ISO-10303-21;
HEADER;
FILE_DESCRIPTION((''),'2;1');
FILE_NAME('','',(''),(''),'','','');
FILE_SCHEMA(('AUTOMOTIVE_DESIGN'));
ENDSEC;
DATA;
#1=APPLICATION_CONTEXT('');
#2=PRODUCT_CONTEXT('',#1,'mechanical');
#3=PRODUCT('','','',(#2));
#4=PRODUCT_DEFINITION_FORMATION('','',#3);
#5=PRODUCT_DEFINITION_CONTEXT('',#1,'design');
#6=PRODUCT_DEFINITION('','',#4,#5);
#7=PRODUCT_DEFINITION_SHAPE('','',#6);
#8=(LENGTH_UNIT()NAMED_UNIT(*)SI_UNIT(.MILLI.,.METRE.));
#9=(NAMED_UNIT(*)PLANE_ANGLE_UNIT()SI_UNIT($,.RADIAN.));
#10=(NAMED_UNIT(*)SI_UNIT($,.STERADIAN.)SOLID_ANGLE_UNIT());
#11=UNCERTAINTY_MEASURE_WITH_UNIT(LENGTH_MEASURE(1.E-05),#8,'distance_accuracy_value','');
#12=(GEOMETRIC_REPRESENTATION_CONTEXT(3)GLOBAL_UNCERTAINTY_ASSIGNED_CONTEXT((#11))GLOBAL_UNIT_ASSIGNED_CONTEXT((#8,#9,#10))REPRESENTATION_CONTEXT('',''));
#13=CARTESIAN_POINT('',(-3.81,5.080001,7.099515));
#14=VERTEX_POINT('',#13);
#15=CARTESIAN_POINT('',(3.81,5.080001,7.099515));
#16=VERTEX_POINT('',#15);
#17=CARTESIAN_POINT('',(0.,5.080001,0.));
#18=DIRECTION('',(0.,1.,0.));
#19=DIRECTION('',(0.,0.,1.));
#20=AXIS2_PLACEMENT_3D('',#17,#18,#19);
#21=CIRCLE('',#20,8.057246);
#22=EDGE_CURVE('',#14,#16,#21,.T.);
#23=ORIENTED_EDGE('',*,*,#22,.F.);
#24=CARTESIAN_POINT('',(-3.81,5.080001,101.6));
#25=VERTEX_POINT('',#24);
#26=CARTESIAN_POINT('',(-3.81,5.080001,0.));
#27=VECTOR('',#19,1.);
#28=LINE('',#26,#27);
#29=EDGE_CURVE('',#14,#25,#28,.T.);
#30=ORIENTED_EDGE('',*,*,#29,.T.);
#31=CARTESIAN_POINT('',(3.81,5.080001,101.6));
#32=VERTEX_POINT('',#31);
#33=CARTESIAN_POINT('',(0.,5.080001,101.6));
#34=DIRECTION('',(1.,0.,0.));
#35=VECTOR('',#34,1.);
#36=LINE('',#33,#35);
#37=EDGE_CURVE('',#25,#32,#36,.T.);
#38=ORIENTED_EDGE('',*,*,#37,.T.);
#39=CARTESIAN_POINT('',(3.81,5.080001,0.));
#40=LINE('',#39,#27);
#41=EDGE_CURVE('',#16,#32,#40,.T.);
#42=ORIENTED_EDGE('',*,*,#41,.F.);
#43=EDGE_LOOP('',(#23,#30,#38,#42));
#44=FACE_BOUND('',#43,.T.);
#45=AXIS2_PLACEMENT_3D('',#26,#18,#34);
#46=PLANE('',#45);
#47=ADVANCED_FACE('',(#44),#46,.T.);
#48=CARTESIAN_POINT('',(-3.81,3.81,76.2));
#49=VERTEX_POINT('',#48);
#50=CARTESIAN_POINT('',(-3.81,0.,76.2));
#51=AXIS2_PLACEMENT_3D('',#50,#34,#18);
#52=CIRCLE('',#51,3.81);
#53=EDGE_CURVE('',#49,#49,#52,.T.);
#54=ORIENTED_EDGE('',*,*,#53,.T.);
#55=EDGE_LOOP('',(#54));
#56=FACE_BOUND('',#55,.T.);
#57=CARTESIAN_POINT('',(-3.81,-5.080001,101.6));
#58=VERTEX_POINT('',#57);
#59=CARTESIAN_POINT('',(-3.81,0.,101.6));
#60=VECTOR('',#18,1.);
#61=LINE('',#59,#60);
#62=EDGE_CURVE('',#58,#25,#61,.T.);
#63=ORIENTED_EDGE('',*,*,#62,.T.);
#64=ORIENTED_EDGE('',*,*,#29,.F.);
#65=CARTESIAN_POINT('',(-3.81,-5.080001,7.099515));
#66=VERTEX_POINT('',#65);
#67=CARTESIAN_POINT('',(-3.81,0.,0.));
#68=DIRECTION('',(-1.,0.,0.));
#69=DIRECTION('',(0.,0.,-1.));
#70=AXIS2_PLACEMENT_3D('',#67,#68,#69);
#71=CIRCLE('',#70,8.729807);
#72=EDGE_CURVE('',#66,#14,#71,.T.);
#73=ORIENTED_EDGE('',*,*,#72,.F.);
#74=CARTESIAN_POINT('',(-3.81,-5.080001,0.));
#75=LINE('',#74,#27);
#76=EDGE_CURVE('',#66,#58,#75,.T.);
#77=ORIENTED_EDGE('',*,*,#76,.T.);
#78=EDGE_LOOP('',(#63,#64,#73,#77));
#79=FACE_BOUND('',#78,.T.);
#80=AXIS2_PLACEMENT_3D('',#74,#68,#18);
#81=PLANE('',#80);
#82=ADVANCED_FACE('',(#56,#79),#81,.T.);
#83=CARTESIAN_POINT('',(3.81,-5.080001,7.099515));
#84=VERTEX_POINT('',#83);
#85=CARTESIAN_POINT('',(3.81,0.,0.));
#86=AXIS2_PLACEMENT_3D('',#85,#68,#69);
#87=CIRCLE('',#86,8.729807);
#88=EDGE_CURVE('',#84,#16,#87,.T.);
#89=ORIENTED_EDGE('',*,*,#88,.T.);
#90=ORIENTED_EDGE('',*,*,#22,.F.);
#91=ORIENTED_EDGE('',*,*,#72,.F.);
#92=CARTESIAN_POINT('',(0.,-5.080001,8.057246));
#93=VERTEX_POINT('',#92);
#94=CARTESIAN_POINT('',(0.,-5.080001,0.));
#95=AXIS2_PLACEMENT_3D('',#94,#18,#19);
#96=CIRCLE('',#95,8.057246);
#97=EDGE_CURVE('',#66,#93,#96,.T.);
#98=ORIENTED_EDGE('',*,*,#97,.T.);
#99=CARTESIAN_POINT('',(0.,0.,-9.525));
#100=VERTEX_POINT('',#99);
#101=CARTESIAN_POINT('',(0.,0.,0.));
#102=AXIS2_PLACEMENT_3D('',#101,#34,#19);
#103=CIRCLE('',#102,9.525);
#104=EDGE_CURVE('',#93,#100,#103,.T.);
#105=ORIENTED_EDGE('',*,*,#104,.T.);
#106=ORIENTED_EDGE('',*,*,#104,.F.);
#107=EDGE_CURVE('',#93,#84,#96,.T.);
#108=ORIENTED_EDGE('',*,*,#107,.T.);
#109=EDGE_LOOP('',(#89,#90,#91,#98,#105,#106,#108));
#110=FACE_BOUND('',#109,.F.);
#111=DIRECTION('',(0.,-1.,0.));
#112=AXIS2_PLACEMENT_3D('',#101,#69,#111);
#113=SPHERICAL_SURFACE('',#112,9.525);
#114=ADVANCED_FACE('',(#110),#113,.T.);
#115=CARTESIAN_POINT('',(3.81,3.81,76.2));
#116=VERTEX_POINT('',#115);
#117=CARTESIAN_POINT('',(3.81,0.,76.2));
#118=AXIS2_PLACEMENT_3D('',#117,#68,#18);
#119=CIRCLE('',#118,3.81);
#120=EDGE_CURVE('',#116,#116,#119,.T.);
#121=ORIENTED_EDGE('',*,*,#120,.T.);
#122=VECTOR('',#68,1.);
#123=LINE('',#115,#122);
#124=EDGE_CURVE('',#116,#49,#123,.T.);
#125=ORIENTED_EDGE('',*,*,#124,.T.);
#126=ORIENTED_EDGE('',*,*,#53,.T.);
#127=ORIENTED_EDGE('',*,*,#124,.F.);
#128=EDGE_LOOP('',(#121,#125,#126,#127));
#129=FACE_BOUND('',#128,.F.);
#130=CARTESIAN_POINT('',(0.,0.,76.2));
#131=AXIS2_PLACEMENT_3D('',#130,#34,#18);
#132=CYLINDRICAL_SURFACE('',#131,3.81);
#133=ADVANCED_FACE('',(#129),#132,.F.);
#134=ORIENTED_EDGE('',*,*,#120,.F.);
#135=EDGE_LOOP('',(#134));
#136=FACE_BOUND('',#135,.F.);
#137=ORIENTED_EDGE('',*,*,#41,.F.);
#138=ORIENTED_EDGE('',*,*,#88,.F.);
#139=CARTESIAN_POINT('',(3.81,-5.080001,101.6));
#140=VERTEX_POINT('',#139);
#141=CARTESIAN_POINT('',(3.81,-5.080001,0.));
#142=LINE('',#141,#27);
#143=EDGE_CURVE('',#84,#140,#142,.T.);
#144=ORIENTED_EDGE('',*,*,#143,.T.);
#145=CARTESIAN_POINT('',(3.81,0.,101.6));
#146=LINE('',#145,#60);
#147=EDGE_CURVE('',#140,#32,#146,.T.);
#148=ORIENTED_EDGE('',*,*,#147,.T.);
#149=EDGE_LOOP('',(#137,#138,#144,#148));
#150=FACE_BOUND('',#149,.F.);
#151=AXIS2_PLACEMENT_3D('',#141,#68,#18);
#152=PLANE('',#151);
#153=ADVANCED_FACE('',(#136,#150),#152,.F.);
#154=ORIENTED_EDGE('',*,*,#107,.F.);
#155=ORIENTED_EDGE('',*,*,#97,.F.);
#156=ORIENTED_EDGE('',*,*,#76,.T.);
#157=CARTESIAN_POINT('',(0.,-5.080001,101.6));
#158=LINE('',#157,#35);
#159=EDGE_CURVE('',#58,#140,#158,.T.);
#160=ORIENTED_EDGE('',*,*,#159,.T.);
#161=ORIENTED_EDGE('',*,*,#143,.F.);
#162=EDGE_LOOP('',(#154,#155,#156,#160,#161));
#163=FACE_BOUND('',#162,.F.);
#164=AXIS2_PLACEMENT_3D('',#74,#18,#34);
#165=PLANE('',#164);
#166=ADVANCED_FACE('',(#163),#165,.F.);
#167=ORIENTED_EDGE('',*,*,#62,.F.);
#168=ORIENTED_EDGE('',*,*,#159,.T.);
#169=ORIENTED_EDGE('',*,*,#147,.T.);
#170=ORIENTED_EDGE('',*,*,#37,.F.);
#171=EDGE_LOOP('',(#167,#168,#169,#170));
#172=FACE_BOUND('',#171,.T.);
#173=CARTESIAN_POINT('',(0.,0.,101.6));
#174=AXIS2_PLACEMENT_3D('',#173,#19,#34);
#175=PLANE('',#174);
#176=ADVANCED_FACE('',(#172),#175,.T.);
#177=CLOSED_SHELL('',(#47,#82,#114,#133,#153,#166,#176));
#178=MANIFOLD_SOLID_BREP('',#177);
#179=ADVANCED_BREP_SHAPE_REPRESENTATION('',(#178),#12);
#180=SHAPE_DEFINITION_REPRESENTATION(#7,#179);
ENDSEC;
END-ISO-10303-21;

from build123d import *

# Parameters (mm, degrees)
F2_W          = 7.62
F2_H          = 10.1600026736
F3_DEPTH      = 101.6
F4_R          = 3.81
F5_DEPTH      = 9.526
F5_DEPTH_BACK = 9.526


with BuildPart() as f1:
    # F0 (on Right) → F1 (revolve)
    with BuildSketch(Plane.YZ):
        with BuildLine():
            ThreePointArc((0, 9.525), (-9.525, 0), (0, -9.525))
            Line((0, -9.525), (0, 9.525))
        make_face()
    revolve(axis=Axis((0, 0, 0), (0, 0, 1)))

    # F2 (on Top) → F3 (join)
    with BuildSketch(Plane.XY):
        Rectangle(F2_W, F2_H)
    extrude(amount=F3_DEPTH)

    # F4 (on Right) → F5 (cut, two sides)
    with BuildSketch(Plane.YZ) as f5_sk:
        with Locations((0, 76.2)):
            Circle(F4_R)
    extrude(amount=-F5_DEPTH, mode=Mode.SUBTRACT)
    extrude(f5_sk.sketch, amount=F5_DEPTH_BACK, mode=Mode.SUBTRACT)


solid = f1.part
